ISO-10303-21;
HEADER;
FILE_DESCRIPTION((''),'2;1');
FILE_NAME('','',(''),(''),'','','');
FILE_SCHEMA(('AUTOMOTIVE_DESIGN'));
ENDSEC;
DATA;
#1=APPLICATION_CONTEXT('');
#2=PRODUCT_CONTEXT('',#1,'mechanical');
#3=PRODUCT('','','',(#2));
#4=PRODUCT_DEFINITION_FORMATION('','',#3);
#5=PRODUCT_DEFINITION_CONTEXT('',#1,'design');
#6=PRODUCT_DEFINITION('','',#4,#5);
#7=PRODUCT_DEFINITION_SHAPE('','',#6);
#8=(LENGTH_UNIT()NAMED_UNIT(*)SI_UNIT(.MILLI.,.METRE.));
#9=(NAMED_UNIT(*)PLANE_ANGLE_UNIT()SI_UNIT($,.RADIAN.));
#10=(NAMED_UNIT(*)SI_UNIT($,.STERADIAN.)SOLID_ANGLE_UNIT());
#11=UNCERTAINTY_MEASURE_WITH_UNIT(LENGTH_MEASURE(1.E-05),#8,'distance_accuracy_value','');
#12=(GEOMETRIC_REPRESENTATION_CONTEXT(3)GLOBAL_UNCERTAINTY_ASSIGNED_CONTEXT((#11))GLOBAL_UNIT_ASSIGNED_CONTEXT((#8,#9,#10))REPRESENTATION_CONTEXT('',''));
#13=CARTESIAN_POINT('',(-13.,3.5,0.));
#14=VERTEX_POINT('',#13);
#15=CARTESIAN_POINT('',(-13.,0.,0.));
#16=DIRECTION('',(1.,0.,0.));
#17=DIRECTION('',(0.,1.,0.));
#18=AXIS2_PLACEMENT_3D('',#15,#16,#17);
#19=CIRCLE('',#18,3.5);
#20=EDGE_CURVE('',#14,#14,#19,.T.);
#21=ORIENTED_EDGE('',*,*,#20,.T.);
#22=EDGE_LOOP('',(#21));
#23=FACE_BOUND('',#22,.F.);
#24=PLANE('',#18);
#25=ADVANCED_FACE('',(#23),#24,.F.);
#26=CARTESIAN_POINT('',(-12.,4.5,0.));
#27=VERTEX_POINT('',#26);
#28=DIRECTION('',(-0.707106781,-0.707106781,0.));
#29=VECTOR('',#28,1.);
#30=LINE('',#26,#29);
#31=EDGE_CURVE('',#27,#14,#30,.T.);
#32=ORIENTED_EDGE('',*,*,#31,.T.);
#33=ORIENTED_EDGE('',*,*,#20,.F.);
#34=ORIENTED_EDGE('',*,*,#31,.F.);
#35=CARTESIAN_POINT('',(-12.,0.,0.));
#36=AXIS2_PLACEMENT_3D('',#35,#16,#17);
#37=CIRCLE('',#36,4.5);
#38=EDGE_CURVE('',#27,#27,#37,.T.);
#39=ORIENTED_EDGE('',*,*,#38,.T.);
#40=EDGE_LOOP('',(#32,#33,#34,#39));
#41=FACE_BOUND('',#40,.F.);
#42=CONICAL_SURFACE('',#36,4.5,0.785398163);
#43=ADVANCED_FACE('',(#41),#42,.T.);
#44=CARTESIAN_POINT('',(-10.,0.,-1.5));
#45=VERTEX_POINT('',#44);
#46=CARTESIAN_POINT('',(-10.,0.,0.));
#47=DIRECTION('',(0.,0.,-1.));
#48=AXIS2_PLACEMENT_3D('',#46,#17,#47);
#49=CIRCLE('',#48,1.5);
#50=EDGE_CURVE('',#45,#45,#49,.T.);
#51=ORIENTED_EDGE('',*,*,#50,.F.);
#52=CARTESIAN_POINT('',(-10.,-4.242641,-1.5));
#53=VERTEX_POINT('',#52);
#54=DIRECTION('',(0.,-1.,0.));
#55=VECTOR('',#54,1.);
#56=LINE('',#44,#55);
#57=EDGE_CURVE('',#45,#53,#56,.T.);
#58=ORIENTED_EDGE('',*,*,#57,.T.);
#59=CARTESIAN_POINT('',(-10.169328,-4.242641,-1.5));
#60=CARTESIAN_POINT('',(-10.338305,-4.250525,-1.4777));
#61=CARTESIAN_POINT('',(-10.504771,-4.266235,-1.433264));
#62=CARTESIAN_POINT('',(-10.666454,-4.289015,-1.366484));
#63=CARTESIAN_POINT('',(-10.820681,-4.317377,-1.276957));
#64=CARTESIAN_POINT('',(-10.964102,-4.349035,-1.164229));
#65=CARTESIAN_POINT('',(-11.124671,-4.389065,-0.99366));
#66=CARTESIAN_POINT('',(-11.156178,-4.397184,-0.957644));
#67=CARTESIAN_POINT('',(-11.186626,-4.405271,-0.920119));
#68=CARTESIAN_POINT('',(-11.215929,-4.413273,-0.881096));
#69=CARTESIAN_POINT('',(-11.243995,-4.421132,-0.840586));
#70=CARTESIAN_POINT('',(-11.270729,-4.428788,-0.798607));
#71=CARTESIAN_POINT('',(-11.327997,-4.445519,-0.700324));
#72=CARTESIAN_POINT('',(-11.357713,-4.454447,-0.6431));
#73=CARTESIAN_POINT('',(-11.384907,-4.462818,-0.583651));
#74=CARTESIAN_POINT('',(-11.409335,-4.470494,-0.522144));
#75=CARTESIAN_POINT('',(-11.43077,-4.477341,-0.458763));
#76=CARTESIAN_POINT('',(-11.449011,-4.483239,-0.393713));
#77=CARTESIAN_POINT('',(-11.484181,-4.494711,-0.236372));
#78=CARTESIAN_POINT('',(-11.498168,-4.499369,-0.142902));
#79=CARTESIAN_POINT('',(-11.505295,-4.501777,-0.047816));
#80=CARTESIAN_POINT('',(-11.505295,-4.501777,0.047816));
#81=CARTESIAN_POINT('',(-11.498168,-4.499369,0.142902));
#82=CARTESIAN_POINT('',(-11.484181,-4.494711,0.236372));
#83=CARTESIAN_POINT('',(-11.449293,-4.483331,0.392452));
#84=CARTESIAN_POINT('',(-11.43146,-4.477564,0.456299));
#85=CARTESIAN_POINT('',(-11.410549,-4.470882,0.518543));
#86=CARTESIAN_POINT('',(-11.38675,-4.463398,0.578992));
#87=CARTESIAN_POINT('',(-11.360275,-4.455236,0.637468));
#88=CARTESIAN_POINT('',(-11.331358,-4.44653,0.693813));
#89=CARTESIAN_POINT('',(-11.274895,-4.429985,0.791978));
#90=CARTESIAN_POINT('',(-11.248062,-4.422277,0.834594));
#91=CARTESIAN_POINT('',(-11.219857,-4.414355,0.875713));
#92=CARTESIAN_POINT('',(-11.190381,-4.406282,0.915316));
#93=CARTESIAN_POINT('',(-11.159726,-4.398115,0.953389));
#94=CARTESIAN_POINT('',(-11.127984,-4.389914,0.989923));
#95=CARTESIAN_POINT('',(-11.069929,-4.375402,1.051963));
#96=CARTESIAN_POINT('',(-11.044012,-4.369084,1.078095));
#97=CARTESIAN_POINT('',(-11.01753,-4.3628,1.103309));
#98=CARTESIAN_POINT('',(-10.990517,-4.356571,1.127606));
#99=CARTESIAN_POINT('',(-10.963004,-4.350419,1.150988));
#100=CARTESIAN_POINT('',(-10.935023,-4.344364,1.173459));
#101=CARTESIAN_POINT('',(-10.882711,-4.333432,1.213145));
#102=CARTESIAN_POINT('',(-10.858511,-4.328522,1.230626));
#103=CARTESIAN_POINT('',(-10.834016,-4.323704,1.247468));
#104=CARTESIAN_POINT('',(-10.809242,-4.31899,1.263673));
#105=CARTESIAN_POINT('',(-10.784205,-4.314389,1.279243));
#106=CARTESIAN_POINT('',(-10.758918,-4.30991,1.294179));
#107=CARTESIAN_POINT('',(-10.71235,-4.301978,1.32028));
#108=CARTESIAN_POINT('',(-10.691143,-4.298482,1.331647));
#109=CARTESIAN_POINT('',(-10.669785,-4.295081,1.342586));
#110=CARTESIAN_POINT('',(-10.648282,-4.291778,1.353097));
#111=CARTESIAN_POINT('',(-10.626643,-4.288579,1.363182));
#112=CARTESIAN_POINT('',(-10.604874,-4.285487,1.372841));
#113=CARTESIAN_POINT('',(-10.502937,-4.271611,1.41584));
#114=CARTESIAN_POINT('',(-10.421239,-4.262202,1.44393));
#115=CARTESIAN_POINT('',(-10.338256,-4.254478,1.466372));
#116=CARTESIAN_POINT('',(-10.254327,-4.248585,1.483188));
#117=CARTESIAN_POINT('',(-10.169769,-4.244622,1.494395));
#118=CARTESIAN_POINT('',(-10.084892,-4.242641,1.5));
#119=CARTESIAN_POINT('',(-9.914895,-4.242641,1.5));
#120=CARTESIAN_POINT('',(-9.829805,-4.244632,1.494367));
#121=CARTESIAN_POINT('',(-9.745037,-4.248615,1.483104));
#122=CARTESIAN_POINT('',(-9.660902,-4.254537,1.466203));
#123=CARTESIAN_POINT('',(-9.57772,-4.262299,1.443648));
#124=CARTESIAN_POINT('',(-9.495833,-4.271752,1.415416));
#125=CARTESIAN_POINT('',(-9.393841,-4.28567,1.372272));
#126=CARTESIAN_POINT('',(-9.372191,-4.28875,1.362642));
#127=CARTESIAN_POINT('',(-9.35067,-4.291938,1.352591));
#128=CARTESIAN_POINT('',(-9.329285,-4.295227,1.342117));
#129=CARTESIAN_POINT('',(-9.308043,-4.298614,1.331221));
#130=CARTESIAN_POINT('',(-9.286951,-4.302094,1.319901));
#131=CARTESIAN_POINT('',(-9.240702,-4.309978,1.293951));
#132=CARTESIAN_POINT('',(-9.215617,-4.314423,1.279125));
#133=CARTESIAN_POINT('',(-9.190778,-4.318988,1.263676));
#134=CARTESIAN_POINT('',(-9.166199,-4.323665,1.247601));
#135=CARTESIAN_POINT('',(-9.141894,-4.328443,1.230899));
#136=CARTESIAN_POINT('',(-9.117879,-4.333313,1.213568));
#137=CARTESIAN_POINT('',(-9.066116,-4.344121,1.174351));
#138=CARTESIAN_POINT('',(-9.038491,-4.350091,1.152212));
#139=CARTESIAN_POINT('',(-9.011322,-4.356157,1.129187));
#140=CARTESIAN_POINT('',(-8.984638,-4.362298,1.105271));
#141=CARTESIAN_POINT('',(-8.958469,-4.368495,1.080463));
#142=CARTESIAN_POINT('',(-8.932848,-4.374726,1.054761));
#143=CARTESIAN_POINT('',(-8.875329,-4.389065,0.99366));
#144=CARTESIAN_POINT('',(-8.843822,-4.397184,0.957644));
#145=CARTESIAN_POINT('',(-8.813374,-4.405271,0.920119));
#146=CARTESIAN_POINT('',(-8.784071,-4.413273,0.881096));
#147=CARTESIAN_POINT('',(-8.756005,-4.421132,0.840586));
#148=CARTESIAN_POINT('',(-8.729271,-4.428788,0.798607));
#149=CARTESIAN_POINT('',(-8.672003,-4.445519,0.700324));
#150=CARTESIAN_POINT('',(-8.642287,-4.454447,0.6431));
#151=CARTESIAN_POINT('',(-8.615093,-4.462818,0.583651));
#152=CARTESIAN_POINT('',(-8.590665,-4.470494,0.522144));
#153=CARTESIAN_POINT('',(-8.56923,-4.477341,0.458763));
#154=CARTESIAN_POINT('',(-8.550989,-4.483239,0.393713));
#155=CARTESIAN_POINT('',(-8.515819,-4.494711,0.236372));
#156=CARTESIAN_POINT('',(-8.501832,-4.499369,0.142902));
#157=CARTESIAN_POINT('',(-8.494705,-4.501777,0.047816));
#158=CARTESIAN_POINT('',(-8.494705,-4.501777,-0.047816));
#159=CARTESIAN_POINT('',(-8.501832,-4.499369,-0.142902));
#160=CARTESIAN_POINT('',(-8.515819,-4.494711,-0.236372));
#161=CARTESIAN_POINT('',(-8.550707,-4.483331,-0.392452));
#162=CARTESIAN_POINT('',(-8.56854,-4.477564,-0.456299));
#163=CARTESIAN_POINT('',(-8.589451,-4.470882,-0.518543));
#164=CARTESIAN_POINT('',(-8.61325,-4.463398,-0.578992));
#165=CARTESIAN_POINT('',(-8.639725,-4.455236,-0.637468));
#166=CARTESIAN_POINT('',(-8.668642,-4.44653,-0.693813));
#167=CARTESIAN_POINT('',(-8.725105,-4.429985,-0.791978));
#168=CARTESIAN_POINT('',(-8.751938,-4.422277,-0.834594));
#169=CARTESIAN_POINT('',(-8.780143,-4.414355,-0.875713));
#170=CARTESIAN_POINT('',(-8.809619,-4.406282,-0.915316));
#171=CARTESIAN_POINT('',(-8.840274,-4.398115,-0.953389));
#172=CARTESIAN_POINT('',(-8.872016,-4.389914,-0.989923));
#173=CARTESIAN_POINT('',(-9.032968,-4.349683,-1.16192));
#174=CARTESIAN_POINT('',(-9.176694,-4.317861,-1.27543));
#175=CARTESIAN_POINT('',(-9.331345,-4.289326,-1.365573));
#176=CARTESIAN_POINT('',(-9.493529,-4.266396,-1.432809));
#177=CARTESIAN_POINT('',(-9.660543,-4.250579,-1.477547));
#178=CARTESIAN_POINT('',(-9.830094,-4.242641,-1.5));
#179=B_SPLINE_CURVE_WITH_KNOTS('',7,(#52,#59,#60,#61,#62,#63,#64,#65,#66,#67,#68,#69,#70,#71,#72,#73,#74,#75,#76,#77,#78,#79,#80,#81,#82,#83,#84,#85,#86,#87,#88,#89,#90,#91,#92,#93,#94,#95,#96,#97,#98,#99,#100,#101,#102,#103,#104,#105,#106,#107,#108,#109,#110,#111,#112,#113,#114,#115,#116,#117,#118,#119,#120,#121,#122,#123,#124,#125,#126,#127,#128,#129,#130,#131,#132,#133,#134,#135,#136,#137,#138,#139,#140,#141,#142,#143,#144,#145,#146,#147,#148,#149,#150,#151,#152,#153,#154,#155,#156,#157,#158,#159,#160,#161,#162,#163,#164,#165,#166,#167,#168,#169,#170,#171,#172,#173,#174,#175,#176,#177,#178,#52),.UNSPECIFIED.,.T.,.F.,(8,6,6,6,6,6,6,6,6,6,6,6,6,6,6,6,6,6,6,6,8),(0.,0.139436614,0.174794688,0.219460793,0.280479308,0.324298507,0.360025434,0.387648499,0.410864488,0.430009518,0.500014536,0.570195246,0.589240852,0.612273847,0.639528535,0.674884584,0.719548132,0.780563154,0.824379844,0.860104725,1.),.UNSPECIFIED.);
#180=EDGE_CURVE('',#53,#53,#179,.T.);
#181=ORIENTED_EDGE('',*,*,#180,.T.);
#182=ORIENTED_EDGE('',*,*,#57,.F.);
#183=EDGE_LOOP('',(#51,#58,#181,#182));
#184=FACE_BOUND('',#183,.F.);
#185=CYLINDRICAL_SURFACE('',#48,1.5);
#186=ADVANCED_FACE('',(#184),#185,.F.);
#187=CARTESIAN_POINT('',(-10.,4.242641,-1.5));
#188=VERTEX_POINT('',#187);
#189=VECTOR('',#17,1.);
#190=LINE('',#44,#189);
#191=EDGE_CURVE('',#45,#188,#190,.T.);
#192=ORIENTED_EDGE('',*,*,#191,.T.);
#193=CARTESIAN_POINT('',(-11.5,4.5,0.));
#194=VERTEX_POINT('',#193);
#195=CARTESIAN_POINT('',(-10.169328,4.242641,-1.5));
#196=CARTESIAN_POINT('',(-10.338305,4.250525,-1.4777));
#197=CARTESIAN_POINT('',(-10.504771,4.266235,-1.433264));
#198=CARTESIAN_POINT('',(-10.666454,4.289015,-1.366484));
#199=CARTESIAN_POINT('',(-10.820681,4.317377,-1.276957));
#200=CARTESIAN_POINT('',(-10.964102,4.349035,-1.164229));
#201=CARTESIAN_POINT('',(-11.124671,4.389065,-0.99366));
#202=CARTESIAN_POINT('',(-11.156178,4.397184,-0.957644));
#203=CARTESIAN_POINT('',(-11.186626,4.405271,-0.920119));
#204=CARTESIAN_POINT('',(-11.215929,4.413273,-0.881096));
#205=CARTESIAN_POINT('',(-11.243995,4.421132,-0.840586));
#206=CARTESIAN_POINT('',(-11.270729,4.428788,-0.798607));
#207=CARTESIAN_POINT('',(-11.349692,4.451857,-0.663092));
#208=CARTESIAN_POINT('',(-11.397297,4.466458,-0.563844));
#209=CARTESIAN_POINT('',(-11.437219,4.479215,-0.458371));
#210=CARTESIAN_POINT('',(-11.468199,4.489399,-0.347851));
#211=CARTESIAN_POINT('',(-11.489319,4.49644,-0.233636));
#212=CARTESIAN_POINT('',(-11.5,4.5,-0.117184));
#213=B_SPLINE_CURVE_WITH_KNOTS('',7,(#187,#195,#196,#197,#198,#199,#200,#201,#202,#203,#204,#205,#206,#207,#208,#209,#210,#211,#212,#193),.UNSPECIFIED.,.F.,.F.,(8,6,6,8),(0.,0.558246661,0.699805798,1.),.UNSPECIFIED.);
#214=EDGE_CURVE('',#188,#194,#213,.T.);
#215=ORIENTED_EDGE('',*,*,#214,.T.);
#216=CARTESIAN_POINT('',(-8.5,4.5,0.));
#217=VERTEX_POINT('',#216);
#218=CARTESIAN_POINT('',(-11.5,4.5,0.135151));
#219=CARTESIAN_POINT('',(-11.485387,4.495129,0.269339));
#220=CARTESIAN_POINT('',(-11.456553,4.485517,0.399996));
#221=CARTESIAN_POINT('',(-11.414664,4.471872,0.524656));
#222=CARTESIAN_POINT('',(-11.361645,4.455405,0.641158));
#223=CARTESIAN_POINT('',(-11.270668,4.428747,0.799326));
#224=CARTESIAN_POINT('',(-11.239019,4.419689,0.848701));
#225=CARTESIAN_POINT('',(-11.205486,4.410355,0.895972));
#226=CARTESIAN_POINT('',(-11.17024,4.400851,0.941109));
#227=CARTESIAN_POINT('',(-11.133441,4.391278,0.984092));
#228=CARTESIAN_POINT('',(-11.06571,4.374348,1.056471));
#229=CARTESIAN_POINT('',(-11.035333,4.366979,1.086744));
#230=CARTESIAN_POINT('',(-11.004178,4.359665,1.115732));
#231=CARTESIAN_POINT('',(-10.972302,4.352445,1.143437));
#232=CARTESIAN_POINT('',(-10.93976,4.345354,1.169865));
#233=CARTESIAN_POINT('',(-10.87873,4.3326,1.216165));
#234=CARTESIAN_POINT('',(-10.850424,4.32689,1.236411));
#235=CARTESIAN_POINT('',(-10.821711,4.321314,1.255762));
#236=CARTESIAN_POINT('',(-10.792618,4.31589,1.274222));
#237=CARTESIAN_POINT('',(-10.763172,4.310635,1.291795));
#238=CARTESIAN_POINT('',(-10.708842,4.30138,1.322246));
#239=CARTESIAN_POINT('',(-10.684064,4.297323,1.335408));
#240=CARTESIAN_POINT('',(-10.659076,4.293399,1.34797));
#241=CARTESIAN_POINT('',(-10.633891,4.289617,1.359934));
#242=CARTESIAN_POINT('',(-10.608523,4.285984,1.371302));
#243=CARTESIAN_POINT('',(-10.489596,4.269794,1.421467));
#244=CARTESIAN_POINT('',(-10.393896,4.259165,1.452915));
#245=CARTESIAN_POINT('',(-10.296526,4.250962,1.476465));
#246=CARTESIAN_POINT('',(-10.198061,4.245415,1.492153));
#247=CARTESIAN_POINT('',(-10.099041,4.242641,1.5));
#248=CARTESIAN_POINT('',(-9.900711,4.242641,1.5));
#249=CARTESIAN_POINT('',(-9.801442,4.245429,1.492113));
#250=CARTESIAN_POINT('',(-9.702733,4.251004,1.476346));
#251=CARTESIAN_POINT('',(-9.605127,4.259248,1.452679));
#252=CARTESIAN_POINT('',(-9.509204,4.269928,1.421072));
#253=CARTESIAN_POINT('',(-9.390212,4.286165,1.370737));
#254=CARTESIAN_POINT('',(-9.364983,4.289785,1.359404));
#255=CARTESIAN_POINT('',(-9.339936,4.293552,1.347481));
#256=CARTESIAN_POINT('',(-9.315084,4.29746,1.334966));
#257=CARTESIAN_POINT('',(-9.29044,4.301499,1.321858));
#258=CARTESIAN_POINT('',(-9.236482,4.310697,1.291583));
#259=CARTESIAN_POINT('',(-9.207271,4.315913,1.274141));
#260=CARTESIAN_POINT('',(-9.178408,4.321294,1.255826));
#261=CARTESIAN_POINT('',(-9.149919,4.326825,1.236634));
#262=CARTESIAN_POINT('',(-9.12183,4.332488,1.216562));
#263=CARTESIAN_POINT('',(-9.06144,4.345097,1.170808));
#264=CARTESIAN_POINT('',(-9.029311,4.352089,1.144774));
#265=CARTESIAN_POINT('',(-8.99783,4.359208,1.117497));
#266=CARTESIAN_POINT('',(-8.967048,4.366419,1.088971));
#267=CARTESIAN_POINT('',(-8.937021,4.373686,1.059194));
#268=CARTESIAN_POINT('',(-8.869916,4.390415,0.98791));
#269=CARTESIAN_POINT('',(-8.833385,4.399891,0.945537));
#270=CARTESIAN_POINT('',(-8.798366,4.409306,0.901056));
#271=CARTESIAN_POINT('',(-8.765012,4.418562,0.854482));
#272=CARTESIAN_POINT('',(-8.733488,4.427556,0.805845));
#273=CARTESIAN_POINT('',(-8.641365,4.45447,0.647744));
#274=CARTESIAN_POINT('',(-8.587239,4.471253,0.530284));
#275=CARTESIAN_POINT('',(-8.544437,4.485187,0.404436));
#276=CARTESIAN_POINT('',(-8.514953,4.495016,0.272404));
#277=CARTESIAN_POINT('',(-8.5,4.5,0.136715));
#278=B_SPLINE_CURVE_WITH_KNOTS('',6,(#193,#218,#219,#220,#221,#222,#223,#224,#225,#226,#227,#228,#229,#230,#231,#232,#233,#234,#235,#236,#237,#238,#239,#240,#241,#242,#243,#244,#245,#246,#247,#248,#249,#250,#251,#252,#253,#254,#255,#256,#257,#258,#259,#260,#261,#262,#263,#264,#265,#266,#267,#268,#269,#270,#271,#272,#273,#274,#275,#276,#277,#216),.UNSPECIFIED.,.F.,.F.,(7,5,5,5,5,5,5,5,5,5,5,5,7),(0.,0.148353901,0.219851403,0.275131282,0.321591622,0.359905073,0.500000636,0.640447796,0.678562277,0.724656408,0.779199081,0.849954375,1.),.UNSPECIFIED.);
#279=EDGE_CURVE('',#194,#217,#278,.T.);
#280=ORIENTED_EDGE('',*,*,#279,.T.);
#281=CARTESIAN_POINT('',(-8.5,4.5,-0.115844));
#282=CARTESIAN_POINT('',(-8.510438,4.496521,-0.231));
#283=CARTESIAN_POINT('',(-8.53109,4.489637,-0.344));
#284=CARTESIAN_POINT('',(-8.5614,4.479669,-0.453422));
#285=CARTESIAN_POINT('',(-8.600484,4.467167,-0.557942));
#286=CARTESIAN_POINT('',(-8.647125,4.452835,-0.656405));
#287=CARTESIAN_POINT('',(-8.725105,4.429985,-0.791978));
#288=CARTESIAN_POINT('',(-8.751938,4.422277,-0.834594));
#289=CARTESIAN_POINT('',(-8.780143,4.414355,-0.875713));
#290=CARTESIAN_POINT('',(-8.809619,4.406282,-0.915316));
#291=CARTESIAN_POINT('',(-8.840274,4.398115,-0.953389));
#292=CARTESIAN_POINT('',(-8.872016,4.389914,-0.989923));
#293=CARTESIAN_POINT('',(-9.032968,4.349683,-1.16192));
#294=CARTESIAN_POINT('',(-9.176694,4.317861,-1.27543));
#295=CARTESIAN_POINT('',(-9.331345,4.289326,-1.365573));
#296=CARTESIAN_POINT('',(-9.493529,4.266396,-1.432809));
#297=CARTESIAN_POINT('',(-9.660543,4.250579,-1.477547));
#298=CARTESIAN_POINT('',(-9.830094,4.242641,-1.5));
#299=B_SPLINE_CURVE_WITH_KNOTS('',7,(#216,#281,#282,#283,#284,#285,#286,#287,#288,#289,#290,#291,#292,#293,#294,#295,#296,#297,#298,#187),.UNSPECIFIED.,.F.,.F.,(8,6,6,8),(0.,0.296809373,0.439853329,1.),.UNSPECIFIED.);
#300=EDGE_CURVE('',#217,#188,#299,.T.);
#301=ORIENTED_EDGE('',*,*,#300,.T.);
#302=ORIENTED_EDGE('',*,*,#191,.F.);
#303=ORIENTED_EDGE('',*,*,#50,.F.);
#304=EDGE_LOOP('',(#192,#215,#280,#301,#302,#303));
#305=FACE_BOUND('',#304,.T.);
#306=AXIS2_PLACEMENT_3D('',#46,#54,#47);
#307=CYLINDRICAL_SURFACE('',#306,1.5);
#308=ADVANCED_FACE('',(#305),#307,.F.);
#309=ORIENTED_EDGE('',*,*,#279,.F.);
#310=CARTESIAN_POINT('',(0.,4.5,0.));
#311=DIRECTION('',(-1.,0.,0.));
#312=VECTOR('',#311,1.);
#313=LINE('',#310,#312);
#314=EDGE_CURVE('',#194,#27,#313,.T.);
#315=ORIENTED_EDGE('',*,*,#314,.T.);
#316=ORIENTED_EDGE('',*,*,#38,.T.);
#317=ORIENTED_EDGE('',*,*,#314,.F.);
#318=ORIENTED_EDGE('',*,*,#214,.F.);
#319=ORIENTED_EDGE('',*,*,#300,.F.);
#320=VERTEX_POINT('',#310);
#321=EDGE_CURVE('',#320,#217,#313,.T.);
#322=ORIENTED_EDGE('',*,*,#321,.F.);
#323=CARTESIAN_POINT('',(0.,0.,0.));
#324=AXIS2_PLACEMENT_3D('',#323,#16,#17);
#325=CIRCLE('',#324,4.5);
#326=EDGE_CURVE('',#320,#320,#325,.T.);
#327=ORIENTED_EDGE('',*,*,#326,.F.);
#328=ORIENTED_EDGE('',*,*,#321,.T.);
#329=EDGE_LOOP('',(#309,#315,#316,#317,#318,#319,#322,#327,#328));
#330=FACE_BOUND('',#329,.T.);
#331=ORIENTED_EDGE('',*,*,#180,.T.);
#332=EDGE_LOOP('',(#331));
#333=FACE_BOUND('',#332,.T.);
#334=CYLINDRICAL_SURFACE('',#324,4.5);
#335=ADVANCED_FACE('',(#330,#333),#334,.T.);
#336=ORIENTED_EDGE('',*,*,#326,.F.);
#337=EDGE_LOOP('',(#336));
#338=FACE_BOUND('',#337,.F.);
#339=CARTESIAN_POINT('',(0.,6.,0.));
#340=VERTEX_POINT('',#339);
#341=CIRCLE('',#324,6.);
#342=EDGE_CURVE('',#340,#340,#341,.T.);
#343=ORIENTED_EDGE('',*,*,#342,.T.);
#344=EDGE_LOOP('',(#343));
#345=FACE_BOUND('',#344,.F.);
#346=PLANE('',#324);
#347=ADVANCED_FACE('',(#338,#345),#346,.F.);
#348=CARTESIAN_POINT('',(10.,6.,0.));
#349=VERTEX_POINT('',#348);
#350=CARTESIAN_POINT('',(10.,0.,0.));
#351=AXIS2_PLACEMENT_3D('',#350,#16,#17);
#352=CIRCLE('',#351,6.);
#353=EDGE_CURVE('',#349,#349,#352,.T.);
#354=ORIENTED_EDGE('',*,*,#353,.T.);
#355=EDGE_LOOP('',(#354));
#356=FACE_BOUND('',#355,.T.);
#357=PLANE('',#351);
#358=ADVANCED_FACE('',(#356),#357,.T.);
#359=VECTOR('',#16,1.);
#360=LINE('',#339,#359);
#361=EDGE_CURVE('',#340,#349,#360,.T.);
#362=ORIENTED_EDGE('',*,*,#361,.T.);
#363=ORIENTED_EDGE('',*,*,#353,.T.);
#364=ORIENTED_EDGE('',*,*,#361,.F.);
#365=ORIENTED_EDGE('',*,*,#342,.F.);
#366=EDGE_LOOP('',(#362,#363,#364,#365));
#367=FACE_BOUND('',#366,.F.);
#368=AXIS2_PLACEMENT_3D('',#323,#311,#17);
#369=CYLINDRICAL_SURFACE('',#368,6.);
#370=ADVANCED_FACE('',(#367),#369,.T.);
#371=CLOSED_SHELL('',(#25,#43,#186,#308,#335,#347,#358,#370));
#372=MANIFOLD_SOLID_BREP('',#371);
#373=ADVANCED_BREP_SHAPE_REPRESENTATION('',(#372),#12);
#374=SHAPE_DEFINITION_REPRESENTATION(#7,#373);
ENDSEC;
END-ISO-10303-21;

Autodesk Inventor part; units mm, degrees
ref_plane "YZ Plane" through (0, 0, 0) normal (1, 0, 0) x (0, 1, 0)
ref_plane "XZ Plane" through (0, 0, 0) normal (0, 1, 0) x (-1, 0, 0)
ref_plane "XY Plane" through (0, 0, 0) normal (0, 0, 1) x (1, 0, 0)
sketch "Sketch1" plane through (0, 0, 0) normal (1, 0, 0) x (0, 1, 0)
  circle A0 centre (0, 0) radius 6
  circle A1 centre (0, 0) radius 4.5
  dimension "d0" = 12
  dimension "d1" = 9
extrude "Extrusion1" add sketch "Sketch1" along normal blind 10 contours A0 | A1
extrude "Extrusion2" add sketch "Sketch1" against normal blind 13 contours A1
chamfer "Chamfer1" distance 1 angle 45 1 edges at (-13, -4.5, 0)
thread "Thread1" size "M9x1.25" class "6g" standard "ANSI Metric M Profile" full length
sketch "Sketch2" plane through (-13, 0, 0) normal (-1, 0, 0) x (0, 0, 1)
  line L0 (0, 0) -> (-8.2207, 0)
ref_plane "Work Plane1" through (-13, 0, 0) normal (0, 1, 0) x (0, 0, -1)
sketch "Sketch3" plane through (-13, 0, 0) normal (0, 1, 0) x (0, 0, -1)
  circle A0 centre (0, -3) radius 1.5
  line L0 (6, -13) -> (-6, -13) projected
  point P0 (0, -13)
  dimension "d12" = 3
  dimension "d13" = 10
extrude "Extrusion3" cut sketch "Sketch3" along normal blind 10 and the other way blind 5
properties part number "Tengely"
